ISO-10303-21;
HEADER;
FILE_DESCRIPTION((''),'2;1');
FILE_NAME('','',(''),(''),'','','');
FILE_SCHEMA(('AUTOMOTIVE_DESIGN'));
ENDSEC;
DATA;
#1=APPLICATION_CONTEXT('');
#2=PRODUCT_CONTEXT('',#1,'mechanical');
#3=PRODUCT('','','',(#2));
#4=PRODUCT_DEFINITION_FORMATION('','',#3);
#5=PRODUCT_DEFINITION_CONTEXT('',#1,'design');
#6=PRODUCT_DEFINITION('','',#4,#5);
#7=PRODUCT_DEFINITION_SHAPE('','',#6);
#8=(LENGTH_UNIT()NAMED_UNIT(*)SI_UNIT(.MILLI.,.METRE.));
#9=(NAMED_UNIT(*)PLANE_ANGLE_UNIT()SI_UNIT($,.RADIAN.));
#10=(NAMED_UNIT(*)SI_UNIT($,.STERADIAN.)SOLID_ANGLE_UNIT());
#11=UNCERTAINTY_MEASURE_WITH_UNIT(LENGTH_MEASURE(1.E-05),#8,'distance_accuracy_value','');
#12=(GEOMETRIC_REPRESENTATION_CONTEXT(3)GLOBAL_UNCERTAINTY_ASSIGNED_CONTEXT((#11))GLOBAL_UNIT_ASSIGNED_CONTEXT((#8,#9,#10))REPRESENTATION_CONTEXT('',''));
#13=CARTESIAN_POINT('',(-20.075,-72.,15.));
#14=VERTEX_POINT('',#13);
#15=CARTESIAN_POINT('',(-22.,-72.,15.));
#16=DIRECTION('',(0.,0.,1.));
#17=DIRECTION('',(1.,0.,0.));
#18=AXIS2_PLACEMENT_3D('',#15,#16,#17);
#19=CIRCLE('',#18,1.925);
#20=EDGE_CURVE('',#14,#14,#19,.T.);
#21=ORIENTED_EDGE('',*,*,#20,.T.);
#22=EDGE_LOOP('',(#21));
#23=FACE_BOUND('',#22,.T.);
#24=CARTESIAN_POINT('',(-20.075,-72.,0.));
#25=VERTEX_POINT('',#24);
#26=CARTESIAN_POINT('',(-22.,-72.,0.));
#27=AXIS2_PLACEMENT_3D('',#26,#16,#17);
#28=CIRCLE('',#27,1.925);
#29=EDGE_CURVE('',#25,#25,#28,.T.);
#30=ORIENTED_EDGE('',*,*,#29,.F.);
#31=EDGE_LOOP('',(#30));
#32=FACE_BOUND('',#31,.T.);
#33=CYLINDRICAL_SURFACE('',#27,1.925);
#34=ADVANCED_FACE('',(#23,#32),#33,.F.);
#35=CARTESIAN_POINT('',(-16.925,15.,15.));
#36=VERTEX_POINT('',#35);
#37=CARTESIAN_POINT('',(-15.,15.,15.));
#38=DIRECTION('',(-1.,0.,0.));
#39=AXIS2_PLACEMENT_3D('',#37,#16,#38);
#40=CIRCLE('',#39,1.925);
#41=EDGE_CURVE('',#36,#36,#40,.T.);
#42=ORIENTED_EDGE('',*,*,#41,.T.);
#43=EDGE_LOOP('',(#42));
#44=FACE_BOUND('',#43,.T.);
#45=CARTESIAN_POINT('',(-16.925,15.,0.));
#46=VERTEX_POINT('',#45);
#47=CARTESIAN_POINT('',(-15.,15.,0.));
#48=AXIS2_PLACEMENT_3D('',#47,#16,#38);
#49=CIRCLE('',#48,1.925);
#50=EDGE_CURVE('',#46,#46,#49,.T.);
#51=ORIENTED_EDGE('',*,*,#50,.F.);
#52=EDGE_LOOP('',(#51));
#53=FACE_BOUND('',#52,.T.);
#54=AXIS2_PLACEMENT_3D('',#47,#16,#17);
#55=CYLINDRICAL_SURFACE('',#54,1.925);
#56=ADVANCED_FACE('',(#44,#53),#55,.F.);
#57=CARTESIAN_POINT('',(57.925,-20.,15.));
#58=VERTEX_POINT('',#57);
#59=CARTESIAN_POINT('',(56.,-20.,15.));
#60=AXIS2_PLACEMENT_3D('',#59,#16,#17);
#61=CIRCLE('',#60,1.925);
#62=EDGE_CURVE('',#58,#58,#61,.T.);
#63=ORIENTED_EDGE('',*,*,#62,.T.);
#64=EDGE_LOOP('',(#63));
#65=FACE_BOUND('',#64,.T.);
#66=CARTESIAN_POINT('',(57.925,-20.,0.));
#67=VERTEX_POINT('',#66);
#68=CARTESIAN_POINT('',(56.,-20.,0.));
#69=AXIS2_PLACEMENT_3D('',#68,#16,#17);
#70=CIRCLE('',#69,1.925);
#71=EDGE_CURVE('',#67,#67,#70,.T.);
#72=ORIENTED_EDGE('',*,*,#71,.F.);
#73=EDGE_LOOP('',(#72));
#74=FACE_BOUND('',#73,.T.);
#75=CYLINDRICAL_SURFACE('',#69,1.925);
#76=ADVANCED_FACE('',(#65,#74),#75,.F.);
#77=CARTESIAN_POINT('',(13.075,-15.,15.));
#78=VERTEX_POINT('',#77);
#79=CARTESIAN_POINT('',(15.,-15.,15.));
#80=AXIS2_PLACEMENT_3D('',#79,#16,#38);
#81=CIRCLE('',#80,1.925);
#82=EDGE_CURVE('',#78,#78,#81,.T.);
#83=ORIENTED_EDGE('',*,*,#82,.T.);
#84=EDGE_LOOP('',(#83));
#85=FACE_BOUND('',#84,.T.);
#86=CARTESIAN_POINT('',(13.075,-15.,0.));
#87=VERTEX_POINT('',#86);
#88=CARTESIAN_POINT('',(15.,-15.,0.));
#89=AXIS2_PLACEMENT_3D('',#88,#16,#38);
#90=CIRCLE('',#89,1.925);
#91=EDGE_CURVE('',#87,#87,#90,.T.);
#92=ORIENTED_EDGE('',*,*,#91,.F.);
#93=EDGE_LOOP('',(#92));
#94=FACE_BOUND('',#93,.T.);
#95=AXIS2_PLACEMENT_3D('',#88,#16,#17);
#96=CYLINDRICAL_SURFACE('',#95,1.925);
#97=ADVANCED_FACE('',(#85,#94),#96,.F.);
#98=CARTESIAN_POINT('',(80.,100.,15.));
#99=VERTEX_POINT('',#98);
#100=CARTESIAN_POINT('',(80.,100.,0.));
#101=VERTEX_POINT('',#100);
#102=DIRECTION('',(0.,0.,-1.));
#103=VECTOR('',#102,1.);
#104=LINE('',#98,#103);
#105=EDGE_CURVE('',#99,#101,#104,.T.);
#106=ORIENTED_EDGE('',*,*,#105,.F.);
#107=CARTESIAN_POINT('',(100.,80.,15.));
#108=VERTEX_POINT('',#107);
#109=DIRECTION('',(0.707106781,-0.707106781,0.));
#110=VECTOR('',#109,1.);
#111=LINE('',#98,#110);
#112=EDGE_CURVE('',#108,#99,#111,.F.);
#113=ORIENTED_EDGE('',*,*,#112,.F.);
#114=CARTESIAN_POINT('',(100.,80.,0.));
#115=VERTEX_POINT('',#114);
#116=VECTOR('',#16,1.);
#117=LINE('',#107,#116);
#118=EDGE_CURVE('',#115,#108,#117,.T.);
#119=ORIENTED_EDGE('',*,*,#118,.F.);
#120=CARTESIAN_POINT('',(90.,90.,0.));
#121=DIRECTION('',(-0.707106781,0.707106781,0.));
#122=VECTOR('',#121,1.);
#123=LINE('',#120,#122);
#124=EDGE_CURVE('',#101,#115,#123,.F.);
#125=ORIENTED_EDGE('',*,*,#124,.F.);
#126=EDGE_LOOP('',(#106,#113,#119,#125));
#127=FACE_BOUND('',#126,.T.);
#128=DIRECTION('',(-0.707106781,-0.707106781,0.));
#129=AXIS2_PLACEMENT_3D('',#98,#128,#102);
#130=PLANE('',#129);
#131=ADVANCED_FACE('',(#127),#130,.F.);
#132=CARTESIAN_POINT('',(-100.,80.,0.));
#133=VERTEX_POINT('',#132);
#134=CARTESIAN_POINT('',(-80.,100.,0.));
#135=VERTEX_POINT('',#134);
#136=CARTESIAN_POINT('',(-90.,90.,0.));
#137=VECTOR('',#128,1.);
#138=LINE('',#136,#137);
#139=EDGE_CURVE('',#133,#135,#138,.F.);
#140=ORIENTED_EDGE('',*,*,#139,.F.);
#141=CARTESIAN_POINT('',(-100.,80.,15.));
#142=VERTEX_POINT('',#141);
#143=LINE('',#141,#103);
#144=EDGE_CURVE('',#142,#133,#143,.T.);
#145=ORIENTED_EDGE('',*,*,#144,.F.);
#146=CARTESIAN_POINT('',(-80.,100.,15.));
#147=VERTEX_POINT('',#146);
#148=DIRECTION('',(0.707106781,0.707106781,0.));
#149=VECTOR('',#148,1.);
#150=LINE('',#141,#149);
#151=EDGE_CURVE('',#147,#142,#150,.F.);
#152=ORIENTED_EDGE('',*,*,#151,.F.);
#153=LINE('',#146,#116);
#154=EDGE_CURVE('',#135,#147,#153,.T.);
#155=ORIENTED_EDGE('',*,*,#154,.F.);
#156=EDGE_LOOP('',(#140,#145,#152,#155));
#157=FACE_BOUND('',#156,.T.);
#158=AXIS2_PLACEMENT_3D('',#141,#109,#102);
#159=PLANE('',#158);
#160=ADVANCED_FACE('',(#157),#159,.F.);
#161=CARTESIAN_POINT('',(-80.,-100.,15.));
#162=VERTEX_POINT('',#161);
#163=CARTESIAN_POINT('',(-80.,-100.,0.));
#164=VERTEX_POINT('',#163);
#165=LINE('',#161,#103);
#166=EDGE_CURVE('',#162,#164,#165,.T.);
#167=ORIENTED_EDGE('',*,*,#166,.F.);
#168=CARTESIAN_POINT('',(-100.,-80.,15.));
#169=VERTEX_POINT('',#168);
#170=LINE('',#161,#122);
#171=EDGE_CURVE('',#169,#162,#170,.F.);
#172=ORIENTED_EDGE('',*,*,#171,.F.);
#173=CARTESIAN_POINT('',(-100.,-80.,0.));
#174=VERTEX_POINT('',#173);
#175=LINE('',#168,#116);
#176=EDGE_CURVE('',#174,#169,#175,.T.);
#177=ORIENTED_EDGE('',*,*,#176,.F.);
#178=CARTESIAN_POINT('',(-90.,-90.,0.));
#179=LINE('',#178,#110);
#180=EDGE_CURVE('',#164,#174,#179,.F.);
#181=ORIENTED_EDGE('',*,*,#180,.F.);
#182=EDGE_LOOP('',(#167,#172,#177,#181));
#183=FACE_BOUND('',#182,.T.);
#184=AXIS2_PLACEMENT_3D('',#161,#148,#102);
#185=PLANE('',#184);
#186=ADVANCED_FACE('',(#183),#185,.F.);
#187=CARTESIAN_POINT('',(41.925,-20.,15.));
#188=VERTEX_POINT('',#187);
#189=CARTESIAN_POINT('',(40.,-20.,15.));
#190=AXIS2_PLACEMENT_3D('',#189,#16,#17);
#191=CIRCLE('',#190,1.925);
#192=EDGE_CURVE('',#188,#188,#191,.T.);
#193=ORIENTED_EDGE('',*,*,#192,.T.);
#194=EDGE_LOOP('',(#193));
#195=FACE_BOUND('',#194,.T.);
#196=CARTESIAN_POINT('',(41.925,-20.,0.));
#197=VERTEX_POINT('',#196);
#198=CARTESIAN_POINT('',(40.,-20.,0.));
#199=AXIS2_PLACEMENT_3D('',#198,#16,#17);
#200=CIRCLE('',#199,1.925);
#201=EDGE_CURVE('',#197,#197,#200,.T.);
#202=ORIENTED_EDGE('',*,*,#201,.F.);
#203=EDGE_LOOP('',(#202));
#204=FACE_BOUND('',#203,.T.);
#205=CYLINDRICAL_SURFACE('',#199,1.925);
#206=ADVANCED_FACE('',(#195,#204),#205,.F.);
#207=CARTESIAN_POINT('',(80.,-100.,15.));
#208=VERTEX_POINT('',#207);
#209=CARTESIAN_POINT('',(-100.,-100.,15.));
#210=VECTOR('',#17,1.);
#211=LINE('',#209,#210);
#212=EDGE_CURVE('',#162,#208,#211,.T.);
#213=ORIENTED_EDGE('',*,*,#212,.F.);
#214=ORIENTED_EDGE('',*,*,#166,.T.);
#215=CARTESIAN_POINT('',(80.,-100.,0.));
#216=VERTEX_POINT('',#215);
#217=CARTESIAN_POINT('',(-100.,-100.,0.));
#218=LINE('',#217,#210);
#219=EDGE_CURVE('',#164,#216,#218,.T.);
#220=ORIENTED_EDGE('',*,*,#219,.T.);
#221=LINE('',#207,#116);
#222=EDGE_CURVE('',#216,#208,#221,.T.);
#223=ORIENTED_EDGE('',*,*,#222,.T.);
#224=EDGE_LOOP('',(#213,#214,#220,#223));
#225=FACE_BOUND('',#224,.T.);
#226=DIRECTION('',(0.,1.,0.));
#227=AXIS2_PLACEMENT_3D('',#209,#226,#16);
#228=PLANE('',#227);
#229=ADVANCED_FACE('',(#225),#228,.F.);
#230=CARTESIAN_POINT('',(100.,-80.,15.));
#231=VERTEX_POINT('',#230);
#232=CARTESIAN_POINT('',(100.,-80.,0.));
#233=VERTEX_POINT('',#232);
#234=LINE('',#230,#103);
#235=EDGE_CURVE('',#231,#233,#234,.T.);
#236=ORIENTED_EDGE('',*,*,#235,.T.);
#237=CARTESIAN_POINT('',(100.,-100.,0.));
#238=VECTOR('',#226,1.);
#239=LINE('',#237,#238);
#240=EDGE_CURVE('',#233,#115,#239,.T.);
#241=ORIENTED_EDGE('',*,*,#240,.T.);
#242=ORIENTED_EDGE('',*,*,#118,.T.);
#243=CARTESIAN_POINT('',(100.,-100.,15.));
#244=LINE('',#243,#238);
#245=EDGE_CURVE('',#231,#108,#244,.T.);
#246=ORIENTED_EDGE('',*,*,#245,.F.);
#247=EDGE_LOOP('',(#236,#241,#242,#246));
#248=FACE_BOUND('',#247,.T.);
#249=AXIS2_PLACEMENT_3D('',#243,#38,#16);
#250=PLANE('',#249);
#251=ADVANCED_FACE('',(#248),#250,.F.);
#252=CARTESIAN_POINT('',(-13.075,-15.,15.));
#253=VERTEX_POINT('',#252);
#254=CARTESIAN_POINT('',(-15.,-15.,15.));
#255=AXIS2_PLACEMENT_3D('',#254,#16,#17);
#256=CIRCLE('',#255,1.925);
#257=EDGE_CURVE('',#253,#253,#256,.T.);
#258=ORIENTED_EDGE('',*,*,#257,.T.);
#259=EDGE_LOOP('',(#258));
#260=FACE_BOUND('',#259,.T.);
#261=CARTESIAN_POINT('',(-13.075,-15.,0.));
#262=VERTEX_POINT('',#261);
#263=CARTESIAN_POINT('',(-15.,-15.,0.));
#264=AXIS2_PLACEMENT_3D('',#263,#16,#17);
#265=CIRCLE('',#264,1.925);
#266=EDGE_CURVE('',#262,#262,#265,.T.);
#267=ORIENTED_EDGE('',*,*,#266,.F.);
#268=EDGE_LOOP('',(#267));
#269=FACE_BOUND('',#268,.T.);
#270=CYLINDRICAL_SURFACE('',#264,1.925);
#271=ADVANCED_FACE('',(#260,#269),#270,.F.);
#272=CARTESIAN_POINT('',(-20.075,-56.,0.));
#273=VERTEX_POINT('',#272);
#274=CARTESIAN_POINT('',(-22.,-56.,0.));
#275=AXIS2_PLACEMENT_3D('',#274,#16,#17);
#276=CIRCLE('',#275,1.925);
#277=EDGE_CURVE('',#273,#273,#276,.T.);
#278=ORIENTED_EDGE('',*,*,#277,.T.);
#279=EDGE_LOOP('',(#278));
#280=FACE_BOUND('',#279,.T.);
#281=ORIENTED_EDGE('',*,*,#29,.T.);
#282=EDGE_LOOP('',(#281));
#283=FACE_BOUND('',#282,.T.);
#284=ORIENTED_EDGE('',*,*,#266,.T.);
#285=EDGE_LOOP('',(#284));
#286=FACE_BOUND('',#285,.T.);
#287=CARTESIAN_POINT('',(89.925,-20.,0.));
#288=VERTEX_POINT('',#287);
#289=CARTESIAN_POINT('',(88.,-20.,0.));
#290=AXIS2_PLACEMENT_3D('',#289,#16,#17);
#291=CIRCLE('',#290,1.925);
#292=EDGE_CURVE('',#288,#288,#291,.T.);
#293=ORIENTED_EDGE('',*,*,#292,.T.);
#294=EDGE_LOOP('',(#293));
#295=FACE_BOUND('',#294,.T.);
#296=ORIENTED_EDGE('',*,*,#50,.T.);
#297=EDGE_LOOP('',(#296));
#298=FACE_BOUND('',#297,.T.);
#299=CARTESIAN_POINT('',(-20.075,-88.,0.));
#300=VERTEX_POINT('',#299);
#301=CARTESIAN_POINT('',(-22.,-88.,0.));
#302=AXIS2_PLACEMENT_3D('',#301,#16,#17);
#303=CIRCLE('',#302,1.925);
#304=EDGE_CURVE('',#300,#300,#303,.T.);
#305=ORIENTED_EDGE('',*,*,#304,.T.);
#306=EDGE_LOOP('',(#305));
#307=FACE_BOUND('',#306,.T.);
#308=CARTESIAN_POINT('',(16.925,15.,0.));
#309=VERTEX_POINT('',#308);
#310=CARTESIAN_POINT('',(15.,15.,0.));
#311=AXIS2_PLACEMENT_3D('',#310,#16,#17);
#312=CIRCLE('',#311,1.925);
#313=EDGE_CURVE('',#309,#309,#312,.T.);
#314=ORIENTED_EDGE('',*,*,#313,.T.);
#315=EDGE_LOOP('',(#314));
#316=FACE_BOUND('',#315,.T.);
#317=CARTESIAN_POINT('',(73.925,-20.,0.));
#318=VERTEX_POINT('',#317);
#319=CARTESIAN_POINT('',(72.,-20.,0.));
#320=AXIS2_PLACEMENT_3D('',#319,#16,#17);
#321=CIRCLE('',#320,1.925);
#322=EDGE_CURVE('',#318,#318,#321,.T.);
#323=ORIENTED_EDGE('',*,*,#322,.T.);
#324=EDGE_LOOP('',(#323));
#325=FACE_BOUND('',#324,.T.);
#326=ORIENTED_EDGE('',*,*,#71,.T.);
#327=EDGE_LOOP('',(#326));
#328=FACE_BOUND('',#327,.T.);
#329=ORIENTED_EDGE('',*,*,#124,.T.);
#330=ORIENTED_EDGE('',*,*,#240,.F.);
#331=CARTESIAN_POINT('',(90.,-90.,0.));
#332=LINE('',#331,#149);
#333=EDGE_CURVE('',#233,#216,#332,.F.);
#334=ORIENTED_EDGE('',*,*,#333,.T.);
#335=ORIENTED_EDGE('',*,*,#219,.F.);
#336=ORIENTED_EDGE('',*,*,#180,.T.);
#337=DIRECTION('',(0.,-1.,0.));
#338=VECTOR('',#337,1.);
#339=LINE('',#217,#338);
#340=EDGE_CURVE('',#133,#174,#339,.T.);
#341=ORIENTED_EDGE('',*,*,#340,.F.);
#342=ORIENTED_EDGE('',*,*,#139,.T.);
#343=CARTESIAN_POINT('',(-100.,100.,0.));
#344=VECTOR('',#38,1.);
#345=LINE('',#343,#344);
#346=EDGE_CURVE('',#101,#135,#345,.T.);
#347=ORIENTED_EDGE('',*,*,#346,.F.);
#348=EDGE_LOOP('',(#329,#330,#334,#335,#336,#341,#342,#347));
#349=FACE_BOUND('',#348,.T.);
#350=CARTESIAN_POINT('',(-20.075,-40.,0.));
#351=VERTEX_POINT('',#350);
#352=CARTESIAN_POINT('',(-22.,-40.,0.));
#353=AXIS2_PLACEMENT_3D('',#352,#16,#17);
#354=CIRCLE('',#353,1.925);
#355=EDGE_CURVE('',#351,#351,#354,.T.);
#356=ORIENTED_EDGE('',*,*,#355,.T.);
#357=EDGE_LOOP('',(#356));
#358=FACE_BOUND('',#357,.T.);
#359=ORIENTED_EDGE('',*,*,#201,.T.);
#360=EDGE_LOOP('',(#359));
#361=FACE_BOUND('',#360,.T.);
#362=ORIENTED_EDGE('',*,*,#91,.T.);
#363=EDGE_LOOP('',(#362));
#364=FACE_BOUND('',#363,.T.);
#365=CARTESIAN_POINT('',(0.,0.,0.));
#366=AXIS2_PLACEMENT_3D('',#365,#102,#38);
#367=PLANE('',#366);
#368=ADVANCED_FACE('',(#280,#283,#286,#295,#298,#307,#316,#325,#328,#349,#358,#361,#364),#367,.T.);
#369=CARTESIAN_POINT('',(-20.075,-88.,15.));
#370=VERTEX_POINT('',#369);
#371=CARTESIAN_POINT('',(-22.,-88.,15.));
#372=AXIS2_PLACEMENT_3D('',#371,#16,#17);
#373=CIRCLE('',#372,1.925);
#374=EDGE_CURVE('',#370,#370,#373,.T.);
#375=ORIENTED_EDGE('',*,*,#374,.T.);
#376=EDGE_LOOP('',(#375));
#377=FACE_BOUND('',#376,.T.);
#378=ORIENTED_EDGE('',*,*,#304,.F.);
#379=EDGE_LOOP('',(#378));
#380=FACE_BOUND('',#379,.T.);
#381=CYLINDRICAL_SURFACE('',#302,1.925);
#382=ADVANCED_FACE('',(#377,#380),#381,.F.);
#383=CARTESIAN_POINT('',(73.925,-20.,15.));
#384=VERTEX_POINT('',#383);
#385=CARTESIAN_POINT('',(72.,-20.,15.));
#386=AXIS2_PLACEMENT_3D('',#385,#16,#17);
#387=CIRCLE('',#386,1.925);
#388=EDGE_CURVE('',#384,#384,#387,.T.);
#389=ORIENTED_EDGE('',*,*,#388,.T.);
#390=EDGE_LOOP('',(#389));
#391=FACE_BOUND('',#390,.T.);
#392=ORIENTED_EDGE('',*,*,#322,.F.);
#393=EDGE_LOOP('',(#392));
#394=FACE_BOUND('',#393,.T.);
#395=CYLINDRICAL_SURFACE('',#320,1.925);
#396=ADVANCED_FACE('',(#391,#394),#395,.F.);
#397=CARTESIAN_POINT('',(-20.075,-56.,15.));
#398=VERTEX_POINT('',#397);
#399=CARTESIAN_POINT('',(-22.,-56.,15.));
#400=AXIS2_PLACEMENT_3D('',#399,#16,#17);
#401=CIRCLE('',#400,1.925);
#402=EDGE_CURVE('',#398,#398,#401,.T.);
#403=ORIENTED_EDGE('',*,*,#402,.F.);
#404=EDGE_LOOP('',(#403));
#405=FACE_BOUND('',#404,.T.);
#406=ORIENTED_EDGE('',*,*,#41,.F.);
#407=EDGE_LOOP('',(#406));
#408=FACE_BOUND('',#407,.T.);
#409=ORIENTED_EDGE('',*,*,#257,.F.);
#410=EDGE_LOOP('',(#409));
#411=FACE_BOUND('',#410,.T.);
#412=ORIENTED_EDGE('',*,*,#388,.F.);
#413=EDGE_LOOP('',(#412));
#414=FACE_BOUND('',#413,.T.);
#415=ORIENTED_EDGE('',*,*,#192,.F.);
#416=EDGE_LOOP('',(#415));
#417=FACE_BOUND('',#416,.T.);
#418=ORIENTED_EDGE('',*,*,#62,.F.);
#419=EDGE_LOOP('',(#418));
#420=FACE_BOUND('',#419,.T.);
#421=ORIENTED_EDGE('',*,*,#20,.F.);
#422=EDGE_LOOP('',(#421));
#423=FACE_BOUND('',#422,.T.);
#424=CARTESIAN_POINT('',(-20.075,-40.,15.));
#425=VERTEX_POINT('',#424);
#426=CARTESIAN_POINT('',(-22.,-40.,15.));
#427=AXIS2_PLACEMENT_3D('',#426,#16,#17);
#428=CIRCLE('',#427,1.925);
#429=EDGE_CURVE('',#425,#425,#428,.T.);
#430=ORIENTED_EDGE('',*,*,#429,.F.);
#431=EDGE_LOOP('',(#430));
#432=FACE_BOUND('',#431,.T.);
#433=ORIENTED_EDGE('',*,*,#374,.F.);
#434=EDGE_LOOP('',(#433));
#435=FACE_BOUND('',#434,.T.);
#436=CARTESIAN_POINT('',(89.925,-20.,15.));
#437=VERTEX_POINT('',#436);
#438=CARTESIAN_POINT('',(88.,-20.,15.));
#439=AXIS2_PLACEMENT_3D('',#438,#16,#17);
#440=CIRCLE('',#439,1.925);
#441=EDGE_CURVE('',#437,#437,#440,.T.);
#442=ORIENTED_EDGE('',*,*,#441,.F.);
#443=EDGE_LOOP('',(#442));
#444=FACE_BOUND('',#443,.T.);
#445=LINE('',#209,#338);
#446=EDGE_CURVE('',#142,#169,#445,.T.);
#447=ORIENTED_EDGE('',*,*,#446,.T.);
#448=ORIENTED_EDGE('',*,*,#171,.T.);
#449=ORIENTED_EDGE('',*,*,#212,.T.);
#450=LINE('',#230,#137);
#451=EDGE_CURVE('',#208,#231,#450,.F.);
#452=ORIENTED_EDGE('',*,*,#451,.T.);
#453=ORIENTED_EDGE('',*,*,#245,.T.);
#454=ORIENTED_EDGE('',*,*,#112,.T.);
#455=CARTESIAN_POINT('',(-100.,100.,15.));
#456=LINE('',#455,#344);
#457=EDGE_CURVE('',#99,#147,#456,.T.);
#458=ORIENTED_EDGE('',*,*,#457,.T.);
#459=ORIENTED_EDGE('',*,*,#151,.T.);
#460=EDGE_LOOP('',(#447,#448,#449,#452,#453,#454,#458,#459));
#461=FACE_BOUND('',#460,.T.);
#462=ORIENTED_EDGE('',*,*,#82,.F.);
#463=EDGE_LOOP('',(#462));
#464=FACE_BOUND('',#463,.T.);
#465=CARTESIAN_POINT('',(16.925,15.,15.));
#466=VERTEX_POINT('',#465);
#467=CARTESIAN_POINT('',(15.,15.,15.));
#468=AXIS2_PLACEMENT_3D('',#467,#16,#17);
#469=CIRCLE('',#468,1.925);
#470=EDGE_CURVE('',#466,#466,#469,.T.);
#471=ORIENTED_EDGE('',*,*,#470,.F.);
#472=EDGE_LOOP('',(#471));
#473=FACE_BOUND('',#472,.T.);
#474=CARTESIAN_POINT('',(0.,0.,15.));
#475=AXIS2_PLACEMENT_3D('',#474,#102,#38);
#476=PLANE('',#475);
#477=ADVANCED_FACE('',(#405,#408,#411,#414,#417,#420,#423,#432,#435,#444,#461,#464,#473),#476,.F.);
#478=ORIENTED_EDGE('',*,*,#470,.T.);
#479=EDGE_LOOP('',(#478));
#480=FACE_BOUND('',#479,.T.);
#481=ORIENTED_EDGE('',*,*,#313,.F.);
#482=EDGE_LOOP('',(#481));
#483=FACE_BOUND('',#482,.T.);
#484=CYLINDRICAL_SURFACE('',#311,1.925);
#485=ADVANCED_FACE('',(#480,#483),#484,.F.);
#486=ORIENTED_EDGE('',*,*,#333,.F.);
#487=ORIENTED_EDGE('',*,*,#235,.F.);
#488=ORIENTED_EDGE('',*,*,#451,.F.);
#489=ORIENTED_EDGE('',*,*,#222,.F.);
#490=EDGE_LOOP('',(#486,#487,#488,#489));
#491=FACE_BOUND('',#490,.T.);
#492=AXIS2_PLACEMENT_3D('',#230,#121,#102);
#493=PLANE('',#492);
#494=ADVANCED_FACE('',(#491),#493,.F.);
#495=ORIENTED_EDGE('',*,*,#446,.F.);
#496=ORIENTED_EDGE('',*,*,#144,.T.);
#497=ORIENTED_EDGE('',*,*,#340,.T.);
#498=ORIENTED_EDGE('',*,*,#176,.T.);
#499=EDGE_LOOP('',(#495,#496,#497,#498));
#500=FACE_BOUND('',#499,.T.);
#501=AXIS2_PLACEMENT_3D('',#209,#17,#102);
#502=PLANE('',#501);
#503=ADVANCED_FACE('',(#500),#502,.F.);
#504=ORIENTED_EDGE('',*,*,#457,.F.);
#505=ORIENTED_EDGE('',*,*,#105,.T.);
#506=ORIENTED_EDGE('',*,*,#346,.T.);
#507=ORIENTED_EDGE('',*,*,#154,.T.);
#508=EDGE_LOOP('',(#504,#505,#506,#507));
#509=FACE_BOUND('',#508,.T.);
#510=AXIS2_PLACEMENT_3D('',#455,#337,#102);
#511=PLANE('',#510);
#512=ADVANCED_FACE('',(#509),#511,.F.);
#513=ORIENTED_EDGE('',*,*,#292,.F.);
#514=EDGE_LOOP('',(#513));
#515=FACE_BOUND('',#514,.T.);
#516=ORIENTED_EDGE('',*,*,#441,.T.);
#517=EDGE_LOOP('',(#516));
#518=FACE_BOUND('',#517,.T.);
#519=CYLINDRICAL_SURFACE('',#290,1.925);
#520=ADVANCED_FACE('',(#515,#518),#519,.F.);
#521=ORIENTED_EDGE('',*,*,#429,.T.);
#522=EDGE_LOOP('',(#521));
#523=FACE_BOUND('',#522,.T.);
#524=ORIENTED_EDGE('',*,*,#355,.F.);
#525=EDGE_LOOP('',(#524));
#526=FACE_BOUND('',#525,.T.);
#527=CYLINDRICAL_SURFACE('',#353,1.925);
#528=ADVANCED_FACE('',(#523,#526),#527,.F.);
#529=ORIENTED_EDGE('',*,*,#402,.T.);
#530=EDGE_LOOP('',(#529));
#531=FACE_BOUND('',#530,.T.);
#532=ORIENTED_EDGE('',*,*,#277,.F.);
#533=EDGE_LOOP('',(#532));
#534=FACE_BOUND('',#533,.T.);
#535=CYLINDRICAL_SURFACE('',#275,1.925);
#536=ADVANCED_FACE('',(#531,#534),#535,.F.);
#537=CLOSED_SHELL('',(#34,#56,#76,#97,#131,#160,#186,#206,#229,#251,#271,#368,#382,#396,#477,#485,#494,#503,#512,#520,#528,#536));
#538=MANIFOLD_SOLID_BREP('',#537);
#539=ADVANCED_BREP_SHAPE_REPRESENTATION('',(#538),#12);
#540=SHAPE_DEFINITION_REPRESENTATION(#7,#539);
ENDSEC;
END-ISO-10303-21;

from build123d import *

# Parameters (mm, degrees)
SKETCH2_W           = 200
SKETCH2_H           = 200
BOSS_EXTRUDE1_DEPTH = 15
CHAMFER1_SIZE       = 20
SKETCH3_R           = 1.925
CUT_EXTRUDE1_DEPTH  = 16
SKETCH4_R           = 1.925
CUT_EXTRUDE2_DEPTH  = 16
SKETCH5_R           = 1.925
CUT_EXTRUDE3_DEPTH  = 16


with BuildPart() as part:
    # Sketch2 → Boss-Extrude1 (new body)
    with BuildSketch(Plane.XY):
        Rectangle(SKETCH2_W, SKETCH2_H)
    extrude(amount=BOSS_EXTRUDE1_DEPTH)

    # Chamfer1
    chamfer1_edges = [part.edges().sort_by_distance(p)[0] for p in [
        (100, -100, 7.5),
        (-100, -100, 7.5),
        (-100, 100, 7.5),
        (100, 100, 7.5),
    ]]
    chamfer(chamfer1_edges, length=CHAMFER1_SIZE)

    # Sketch3 → Cut-Extrude1 (cut, through all)
    with BuildSketch(Plane.XY.offset(15)):
        with Locations((-22, -88)):
            Circle(SKETCH3_R)
        with Locations((-22, -72)):
            Circle(SKETCH3_R)
        with Locations((-22, -56)):
            Circle(SKETCH3_R)
        with Locations((-22, -40)):
            Circle(SKETCH3_R)
    extrude(amount=-CUT_EXTRUDE1_DEPTH, mode=Mode.SUBTRACT)

    # Sketch4 → Cut-Extrude2 (cut, through all)
    with BuildSketch(Plane.XY.offset(15)):
        with Locations((88, -20)):
            Circle(SKETCH4_R)
        with Locations((72, -20)):
            Circle(SKETCH4_R)
        with Locations((56, -20)):
            Circle(SKETCH4_R)
        with Locations((40, -20)):
            Circle(SKETCH4_R)
    extrude(amount=-CUT_EXTRUDE2_DEPTH, mode=Mode.SUBTRACT)

    # Sketch5 → Cut-Extrude3 (cut, through all)
    with BuildSketch(Plane.XY.offset(15)):
        with Locations((15, 15)):
            Circle(SKETCH5_R)
        with Locations((15, -15)):
            Circle(SKETCH5_R)
        with Locations((-15, -15)):
            Circle(SKETCH5_R)
        with Locations((-15, 15)):
            Circle(SKETCH5_R)
    extrude(amount=-CUT_EXTRUDE3_DEPTH, mode=Mode.SUBTRACT)


solid = part.part
